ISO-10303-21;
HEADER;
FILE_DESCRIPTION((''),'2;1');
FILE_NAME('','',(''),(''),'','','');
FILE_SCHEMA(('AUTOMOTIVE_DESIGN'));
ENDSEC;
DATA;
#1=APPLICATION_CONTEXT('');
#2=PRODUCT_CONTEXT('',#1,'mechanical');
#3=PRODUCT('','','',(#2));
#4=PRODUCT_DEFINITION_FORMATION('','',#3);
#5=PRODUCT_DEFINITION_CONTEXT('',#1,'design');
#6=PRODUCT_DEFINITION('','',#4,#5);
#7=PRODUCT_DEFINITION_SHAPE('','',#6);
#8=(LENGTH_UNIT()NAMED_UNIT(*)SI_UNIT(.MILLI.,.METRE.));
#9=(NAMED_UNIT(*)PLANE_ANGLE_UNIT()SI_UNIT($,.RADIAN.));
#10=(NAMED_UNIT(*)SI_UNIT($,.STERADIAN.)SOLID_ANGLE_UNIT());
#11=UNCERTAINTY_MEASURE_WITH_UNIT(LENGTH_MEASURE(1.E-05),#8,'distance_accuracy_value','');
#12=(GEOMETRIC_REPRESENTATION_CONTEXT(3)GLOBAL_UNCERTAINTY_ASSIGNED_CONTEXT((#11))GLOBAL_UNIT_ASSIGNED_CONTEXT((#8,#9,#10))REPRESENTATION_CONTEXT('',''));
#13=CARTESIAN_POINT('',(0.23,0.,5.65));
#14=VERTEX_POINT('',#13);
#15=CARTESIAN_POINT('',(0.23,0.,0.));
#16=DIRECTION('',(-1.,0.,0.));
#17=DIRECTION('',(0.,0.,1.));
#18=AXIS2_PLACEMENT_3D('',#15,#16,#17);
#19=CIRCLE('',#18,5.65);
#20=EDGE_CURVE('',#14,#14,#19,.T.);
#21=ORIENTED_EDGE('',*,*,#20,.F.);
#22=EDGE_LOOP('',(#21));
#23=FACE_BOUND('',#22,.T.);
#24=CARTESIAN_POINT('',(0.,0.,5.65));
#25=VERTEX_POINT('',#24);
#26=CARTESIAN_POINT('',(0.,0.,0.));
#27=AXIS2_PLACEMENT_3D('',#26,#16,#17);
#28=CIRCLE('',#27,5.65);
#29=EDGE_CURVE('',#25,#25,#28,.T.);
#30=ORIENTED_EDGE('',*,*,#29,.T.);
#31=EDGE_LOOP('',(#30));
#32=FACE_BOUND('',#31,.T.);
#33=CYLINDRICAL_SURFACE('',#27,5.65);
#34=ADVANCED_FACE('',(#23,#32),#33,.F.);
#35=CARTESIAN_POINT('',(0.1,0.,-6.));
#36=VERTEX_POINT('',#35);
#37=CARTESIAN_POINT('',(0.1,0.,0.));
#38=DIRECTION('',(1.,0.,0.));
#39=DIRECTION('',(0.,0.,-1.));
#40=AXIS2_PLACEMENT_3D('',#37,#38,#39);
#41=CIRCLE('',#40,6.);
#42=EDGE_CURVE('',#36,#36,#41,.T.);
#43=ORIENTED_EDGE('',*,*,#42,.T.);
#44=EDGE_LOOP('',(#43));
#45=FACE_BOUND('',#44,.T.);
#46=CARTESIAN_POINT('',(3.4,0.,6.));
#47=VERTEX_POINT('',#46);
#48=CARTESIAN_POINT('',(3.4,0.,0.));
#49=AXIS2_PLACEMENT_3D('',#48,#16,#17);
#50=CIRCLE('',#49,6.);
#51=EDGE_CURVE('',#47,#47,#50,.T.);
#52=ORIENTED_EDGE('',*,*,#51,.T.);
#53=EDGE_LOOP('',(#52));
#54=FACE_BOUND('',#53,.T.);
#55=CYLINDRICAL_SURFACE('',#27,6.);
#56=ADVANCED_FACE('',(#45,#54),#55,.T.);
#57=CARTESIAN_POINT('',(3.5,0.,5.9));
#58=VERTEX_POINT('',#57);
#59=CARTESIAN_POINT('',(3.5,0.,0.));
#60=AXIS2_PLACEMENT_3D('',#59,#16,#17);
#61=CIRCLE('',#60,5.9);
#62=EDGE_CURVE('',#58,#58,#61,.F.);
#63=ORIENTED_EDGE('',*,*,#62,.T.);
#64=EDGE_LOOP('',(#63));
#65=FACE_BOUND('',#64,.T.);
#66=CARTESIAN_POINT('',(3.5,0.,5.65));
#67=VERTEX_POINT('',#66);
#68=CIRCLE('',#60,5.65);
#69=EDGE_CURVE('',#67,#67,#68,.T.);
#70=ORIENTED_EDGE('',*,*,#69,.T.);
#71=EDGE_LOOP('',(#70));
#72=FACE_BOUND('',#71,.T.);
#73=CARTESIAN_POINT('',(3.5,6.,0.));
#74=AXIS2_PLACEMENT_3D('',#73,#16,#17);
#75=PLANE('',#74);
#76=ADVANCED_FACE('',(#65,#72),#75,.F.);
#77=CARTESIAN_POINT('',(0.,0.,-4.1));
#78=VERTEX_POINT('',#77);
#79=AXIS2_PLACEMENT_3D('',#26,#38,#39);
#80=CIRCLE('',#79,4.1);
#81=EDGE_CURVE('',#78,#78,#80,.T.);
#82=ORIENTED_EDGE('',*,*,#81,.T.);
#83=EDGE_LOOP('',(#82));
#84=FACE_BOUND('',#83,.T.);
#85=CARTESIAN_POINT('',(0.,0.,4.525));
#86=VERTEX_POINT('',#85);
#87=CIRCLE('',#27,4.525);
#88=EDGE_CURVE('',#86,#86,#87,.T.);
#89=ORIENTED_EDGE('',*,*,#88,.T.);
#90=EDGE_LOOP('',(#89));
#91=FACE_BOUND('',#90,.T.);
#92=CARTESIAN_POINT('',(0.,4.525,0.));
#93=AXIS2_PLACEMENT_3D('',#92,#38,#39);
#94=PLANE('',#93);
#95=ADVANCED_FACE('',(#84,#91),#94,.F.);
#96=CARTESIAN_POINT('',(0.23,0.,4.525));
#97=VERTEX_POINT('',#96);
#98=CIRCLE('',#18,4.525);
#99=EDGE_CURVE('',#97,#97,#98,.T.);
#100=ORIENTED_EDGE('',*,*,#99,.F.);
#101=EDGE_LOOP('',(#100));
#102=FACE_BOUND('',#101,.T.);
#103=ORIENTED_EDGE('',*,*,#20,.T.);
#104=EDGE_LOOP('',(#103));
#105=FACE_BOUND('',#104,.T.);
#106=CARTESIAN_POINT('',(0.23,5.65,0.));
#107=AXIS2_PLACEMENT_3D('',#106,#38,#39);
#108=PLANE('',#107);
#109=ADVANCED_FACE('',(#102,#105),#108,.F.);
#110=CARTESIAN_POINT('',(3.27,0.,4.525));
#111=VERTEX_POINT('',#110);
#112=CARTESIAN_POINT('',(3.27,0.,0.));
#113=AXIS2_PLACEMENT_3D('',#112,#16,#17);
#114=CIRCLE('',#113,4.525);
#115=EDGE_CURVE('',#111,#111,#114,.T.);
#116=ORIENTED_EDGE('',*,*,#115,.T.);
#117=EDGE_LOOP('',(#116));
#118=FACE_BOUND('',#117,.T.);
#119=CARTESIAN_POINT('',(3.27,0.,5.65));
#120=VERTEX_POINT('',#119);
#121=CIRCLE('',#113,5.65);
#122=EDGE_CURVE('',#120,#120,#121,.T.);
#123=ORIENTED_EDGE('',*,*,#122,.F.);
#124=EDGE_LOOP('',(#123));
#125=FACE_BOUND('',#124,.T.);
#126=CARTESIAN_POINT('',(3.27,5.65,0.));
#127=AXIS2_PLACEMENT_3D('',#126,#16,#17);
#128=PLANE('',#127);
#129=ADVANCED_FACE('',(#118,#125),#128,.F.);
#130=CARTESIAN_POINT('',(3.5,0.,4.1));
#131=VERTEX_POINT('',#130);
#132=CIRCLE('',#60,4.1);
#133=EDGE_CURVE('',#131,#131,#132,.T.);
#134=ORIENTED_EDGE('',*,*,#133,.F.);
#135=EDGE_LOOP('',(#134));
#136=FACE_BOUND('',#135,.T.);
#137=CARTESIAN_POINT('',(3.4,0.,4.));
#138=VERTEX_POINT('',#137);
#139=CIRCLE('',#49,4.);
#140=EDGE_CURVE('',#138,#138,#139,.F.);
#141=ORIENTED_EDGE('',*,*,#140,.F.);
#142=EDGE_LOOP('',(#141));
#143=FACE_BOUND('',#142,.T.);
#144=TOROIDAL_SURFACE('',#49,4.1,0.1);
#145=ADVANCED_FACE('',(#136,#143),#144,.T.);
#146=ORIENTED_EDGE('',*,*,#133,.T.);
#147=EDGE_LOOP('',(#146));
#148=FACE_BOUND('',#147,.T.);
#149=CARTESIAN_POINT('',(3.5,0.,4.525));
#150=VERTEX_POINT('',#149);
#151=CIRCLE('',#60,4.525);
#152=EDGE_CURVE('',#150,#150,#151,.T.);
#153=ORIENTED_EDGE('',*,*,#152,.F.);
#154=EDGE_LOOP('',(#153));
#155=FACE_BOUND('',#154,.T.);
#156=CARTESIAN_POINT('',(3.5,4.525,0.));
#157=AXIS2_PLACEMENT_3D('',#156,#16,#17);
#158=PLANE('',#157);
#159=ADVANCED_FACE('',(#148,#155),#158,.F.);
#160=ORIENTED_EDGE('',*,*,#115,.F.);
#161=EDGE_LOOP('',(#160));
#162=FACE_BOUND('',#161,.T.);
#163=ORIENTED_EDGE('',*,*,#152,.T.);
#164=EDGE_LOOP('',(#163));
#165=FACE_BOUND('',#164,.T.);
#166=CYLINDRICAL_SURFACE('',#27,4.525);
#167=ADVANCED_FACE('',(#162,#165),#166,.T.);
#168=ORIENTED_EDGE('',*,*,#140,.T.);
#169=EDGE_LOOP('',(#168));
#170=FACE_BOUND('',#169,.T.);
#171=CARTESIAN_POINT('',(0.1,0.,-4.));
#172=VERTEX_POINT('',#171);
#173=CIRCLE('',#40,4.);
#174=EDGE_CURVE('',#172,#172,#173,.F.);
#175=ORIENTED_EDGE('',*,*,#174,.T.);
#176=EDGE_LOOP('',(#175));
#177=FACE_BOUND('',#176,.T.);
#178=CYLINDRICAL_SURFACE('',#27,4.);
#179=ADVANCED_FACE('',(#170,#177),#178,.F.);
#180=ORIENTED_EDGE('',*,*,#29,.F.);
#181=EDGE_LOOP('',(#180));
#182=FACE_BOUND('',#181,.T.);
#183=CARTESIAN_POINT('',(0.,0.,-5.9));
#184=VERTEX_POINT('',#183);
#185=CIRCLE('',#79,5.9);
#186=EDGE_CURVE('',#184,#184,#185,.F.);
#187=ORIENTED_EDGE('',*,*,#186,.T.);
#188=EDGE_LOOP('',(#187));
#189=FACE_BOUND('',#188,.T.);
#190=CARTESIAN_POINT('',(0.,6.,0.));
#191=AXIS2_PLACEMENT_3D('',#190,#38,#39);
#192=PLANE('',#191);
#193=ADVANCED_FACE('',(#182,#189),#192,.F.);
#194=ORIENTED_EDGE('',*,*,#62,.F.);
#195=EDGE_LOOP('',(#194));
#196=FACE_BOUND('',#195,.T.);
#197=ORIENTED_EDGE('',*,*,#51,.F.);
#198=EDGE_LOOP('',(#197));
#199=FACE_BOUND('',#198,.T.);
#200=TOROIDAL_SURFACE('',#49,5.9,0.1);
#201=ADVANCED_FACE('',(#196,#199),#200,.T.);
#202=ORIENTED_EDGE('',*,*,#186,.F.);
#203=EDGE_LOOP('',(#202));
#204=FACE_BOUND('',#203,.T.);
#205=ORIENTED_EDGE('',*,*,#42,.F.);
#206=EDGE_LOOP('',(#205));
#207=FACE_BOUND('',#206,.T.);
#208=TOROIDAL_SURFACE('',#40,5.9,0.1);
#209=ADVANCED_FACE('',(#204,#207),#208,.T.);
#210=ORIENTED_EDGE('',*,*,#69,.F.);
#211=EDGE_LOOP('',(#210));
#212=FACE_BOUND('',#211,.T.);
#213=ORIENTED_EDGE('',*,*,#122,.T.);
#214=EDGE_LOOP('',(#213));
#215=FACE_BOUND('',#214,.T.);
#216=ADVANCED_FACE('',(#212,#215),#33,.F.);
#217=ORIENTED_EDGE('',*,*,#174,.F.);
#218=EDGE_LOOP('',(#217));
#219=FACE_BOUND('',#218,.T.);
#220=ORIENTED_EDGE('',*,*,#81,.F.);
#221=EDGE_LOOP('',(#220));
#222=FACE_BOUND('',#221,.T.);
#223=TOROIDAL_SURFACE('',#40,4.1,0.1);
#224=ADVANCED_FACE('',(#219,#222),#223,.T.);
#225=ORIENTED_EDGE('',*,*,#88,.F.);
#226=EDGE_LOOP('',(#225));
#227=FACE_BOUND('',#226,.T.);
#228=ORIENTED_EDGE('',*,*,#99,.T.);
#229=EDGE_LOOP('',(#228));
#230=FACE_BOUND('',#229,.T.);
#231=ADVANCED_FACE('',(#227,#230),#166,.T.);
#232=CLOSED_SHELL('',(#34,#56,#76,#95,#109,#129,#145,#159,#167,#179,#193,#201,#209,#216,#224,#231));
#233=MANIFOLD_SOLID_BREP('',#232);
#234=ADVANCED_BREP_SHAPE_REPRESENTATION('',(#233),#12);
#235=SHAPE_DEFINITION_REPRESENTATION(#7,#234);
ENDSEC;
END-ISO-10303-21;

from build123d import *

# Parameters (mm, degrees)
FILLET1_R = 0.1
FILLET2_R = 0.1


with BuildPart() as part:
    # Sketch1 → Revolve1 (revolve)
    with BuildSketch(Plane.XY, mode=Mode.PRIVATE) as revolve1_sk:
        Polygon((0, 4), (3.5, 4), (3.5, 4.525), (3.27, 4.525), (3.27, 5.65), (3.5, 5.65), (3.5, 6), (0, 6), (0, 5.65), (0.23, 5.65), (0.23, 4.525), (0, 4.525), align=None)
    revolve(revolve1_sk.sketch.rotate(Axis((0, 0, 0), (1, 0, 0)), 90), axis=Axis((0, 0, 0), (1, 0, 0)))

    # Fillet1
    fillet1_edges = [part.edges().sort_by_distance(p)[0] for p in [
        (0, 0, -6),
        (3.5, 0, -6),
    ]]
    fillet(fillet1_edges, radius=FILLET1_R)

    # Fillet2
    fillet2_edges = [part.edges().sort_by_distance(p)[0] for p in [
        (3.5, 0, -4),
        (0, 0, -4),
    ]]
    fillet(fillet2_edges, radius=FILLET2_R)


solid = part.part
